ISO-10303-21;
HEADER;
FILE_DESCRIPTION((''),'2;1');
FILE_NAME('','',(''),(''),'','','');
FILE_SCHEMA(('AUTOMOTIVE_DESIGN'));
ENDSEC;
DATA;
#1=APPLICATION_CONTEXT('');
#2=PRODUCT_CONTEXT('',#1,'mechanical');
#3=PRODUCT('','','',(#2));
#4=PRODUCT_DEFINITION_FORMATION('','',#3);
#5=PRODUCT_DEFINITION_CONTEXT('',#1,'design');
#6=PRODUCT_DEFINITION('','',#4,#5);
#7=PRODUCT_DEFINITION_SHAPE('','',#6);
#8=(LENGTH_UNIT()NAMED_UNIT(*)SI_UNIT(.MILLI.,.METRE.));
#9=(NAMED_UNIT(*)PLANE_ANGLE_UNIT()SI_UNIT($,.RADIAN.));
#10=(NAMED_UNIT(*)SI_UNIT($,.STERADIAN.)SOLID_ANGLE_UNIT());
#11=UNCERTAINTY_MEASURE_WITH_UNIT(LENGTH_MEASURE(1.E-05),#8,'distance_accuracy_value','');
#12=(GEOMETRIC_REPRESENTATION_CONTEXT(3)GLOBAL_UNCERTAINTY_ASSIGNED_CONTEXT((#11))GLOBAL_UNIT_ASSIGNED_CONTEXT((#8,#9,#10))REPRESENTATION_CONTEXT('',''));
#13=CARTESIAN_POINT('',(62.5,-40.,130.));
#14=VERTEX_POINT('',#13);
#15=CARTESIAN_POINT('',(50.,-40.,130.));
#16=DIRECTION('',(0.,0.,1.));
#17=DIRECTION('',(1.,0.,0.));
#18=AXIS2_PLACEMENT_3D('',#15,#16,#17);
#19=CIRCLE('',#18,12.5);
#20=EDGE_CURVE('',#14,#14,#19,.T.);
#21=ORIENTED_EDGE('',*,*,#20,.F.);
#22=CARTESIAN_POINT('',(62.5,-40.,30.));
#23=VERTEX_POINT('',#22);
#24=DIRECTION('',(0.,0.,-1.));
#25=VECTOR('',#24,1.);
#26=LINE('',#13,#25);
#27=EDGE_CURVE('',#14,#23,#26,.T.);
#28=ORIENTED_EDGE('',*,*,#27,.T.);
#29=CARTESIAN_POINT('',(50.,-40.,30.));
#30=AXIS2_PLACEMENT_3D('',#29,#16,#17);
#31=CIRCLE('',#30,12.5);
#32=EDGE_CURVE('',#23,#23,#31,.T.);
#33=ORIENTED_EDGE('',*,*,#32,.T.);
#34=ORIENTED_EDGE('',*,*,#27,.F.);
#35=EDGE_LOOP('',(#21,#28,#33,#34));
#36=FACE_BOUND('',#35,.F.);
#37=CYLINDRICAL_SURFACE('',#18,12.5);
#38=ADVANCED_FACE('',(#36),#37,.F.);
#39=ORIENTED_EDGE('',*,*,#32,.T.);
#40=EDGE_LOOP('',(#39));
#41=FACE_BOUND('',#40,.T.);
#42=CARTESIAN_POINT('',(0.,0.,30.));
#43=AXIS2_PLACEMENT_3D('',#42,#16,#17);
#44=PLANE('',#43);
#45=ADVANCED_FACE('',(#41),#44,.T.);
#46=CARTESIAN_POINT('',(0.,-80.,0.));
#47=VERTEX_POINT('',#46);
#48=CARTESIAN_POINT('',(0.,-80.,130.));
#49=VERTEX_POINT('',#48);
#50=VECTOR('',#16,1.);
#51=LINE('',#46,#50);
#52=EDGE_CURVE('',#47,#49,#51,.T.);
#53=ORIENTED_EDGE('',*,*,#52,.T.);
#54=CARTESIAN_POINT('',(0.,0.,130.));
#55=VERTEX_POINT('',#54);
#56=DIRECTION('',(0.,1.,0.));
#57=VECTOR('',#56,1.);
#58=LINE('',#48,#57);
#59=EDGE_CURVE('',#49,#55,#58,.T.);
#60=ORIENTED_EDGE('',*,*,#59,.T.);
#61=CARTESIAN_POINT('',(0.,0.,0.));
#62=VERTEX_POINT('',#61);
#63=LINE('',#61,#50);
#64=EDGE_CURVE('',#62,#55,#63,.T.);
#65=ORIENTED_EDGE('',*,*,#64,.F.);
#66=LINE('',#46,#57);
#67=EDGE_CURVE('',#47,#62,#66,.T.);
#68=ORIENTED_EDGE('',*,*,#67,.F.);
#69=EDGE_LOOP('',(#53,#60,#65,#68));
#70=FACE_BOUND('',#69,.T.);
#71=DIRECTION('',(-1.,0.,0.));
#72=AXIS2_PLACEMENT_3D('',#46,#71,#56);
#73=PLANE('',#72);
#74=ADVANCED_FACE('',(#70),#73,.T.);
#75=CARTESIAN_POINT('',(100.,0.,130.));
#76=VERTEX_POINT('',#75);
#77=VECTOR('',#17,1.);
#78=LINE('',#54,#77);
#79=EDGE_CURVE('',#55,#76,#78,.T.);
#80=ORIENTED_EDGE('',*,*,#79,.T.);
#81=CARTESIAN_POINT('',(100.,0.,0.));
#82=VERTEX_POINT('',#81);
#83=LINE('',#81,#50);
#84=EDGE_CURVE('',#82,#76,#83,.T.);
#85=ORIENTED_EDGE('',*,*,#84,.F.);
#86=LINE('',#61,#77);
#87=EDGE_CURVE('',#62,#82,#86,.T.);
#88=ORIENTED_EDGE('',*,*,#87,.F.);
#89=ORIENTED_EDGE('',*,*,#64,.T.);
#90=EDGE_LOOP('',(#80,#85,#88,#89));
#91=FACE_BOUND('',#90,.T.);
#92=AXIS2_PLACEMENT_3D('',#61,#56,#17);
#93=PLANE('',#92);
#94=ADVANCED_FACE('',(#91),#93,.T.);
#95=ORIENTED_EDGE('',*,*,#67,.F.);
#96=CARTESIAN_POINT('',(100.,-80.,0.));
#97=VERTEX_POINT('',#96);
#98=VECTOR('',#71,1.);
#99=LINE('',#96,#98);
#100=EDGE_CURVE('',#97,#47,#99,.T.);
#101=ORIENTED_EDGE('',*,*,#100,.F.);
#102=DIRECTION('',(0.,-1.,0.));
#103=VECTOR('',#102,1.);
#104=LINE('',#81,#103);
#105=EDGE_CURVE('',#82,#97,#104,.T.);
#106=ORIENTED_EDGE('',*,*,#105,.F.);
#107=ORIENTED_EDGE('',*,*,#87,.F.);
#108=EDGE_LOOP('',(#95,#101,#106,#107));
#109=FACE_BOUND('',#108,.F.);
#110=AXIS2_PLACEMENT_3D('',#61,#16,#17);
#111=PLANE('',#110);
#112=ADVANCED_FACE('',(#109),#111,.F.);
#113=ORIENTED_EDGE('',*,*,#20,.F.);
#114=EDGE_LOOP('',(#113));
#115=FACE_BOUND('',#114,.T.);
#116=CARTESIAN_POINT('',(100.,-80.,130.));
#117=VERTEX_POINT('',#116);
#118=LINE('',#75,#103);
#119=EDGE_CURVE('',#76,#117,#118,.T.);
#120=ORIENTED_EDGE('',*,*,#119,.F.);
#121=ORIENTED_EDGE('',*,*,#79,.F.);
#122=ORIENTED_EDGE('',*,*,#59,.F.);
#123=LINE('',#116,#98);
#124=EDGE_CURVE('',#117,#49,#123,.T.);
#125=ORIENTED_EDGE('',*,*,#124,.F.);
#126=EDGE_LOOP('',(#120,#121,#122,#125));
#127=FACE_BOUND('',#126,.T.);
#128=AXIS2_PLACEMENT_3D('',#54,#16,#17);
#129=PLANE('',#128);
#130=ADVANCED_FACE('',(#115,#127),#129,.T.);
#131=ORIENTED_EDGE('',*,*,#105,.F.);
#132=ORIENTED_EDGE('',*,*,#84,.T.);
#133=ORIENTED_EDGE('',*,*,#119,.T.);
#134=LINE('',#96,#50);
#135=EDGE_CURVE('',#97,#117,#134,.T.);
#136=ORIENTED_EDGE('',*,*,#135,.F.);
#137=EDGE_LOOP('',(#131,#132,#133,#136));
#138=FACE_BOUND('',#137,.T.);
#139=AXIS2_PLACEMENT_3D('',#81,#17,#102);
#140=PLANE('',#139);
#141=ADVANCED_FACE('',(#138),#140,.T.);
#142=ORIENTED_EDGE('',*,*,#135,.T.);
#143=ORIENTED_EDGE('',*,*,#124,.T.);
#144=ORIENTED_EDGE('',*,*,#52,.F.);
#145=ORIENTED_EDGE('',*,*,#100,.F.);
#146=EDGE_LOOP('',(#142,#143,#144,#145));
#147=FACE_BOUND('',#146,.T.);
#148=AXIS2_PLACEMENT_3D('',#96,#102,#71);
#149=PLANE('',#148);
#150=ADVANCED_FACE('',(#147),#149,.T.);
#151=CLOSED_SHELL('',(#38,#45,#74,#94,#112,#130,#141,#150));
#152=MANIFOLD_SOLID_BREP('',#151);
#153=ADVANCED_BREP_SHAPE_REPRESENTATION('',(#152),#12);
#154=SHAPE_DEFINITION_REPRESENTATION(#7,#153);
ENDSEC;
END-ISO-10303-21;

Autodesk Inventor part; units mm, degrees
ref_plane "YZ Plane" through (0, 0, 0) normal (1, 0, 0) x (0, 1, 0)
ref_plane "XZ Plane" through (0, 0, 0) normal (0, 1, 0) x (-1, 0, 0)
ref_plane "XY Plane" through (0, 0, 0) normal (0, 0, 1) x (1, 0, 0)
sketch "Boceto1" plane through (0, 0, 0) normal (0, 0, 1) x (1, 0, 0)
  line L0 (0, 0) -> (100, 0)
  line L1 (100, 0) -> (100, -80)
  line L2 (100, -80) -> (0, -80)
  line L3 (0, -80) -> (0, 0)
  dimension "d0" = 100
  dimension "d1" = 80
extrude "Extrusión1" add sketch "Boceto1" along normal blind 130
sketch "Boceto2" plane through (0, 0, 130) normal (0, 0, 1) x (1, 0, 0)
  circle A0 centre (50, -40) radius 12.5
  line L0 (0, 0) -> (0, -80) projected
  line L1 (100, 0) -> (0, 0) projected
  dimension "d4" = 25
  dimension "d5" = 50
  dimension "d6" = 40
extrude "Extrusión2" cut sketch "Boceto2" against normal blind 100
properties part number "Cilindro"
